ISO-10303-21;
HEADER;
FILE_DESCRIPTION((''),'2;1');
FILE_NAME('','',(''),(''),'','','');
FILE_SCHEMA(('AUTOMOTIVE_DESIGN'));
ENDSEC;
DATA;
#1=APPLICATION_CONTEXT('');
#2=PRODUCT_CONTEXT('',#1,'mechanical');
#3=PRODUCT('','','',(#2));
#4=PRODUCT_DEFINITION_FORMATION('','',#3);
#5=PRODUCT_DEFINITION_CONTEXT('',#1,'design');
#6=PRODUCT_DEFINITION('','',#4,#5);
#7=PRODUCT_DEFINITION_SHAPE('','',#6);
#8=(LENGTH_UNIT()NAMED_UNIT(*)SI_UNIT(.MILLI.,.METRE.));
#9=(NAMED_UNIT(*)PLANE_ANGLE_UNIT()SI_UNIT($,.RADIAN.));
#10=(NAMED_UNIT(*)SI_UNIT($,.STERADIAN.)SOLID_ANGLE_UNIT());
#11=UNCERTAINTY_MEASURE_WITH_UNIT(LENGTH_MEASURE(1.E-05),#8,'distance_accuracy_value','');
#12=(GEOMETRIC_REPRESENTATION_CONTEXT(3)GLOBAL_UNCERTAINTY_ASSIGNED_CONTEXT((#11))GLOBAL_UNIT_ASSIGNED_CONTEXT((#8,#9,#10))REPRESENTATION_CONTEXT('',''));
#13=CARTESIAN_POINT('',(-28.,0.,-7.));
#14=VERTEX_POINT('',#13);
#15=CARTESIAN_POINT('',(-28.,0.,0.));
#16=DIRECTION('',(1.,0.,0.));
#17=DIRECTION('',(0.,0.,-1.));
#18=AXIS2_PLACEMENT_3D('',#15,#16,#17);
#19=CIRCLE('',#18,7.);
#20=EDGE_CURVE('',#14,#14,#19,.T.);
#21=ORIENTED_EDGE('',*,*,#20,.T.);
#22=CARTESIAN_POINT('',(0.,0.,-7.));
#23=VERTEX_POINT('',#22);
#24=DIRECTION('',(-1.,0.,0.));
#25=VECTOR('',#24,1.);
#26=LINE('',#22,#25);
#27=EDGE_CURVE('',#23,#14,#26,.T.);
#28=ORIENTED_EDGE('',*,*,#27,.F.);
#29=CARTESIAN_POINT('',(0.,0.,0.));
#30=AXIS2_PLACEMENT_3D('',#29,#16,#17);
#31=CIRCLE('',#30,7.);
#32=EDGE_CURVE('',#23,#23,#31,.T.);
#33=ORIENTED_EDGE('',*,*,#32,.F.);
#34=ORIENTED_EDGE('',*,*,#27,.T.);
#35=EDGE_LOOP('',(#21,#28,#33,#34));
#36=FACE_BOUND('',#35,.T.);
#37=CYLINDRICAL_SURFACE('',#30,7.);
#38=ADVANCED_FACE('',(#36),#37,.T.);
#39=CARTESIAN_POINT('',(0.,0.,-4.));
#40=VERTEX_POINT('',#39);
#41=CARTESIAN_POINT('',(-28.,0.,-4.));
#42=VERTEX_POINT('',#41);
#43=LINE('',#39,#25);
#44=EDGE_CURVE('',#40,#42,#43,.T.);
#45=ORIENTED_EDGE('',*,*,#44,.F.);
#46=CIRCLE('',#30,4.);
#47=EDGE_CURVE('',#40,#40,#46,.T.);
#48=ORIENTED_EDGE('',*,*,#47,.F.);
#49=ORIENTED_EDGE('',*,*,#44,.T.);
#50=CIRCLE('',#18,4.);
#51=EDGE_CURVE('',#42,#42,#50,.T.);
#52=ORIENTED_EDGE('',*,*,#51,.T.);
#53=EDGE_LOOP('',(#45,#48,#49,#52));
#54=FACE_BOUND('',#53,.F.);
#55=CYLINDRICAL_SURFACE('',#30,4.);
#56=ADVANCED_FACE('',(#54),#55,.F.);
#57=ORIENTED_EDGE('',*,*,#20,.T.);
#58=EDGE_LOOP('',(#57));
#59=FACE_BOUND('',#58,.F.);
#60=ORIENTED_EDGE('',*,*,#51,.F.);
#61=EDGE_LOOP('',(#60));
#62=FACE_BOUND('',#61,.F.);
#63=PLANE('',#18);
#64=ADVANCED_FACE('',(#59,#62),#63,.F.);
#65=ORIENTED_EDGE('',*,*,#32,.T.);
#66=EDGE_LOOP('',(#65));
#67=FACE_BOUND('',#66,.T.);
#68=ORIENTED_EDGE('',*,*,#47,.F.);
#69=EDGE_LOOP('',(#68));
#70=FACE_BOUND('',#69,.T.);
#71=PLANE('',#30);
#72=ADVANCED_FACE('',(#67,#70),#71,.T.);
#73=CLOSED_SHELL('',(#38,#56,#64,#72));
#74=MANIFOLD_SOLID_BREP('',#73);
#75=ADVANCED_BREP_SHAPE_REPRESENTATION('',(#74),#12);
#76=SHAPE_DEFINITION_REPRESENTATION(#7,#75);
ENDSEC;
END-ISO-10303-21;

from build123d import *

# Parameters (mm, degrees)
CROQUIS1_R              = 7
CROQUIS1_R_2            = 4
SALIENTE_EXTRUIR1_DEPTH = 28


with BuildPart() as part:
    # Croquis1 → Saliente-Extruir1 (new body)
    with BuildSketch(Plane(origin=(0, 0, 0), x_dir=(0, 0, -1), z_dir=(1, 0, 0))):
        Circle(CROQUIS1_R)
        Circle(CROQUIS1_R_2, mode=Mode.SUBTRACT)
    extrude(amount=-SALIENTE_EXTRUIR1_DEPTH)


solid = part.part
